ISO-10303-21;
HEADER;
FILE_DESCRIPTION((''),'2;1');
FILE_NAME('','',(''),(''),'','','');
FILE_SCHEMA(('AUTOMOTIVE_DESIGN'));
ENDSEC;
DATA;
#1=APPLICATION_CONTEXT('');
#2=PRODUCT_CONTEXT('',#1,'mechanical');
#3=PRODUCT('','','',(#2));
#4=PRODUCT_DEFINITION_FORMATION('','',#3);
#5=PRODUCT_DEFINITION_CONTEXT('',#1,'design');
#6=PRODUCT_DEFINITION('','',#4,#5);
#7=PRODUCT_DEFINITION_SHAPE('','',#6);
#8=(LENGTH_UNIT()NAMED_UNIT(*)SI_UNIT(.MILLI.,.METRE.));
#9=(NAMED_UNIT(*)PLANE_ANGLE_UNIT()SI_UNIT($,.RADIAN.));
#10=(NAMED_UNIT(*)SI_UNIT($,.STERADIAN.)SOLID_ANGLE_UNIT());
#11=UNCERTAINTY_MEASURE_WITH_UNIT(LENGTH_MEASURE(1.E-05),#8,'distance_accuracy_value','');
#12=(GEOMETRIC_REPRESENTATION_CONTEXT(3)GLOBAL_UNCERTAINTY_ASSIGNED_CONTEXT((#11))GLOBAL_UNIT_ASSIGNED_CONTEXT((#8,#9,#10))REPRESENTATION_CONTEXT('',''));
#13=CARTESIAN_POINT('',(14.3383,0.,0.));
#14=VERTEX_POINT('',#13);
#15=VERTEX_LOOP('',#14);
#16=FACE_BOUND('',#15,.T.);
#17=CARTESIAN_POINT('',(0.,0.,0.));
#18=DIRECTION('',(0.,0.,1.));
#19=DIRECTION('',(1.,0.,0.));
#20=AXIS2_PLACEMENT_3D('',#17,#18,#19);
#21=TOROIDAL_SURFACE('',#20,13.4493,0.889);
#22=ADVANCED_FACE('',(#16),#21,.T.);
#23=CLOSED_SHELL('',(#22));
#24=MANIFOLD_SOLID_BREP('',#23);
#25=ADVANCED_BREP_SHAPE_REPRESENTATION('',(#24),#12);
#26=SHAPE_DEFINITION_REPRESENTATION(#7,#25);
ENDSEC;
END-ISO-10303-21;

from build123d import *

# Parameters (mm, degrees)
SKETCH1_R = 0.889


with BuildPart() as part:
    # Sketch1 → Revolve1 (revolve)
    with BuildSketch(Plane(origin=(0, 0, 0), x_dir=(0, -1, 0), z_dir=(1, 0, 0))):
        with Locations((13.4493, 0)):
            Circle(SKETCH1_R)
    revolve(axis=Axis((0, 0, 0.889), (0, 0, -1)))


solid = part.part
